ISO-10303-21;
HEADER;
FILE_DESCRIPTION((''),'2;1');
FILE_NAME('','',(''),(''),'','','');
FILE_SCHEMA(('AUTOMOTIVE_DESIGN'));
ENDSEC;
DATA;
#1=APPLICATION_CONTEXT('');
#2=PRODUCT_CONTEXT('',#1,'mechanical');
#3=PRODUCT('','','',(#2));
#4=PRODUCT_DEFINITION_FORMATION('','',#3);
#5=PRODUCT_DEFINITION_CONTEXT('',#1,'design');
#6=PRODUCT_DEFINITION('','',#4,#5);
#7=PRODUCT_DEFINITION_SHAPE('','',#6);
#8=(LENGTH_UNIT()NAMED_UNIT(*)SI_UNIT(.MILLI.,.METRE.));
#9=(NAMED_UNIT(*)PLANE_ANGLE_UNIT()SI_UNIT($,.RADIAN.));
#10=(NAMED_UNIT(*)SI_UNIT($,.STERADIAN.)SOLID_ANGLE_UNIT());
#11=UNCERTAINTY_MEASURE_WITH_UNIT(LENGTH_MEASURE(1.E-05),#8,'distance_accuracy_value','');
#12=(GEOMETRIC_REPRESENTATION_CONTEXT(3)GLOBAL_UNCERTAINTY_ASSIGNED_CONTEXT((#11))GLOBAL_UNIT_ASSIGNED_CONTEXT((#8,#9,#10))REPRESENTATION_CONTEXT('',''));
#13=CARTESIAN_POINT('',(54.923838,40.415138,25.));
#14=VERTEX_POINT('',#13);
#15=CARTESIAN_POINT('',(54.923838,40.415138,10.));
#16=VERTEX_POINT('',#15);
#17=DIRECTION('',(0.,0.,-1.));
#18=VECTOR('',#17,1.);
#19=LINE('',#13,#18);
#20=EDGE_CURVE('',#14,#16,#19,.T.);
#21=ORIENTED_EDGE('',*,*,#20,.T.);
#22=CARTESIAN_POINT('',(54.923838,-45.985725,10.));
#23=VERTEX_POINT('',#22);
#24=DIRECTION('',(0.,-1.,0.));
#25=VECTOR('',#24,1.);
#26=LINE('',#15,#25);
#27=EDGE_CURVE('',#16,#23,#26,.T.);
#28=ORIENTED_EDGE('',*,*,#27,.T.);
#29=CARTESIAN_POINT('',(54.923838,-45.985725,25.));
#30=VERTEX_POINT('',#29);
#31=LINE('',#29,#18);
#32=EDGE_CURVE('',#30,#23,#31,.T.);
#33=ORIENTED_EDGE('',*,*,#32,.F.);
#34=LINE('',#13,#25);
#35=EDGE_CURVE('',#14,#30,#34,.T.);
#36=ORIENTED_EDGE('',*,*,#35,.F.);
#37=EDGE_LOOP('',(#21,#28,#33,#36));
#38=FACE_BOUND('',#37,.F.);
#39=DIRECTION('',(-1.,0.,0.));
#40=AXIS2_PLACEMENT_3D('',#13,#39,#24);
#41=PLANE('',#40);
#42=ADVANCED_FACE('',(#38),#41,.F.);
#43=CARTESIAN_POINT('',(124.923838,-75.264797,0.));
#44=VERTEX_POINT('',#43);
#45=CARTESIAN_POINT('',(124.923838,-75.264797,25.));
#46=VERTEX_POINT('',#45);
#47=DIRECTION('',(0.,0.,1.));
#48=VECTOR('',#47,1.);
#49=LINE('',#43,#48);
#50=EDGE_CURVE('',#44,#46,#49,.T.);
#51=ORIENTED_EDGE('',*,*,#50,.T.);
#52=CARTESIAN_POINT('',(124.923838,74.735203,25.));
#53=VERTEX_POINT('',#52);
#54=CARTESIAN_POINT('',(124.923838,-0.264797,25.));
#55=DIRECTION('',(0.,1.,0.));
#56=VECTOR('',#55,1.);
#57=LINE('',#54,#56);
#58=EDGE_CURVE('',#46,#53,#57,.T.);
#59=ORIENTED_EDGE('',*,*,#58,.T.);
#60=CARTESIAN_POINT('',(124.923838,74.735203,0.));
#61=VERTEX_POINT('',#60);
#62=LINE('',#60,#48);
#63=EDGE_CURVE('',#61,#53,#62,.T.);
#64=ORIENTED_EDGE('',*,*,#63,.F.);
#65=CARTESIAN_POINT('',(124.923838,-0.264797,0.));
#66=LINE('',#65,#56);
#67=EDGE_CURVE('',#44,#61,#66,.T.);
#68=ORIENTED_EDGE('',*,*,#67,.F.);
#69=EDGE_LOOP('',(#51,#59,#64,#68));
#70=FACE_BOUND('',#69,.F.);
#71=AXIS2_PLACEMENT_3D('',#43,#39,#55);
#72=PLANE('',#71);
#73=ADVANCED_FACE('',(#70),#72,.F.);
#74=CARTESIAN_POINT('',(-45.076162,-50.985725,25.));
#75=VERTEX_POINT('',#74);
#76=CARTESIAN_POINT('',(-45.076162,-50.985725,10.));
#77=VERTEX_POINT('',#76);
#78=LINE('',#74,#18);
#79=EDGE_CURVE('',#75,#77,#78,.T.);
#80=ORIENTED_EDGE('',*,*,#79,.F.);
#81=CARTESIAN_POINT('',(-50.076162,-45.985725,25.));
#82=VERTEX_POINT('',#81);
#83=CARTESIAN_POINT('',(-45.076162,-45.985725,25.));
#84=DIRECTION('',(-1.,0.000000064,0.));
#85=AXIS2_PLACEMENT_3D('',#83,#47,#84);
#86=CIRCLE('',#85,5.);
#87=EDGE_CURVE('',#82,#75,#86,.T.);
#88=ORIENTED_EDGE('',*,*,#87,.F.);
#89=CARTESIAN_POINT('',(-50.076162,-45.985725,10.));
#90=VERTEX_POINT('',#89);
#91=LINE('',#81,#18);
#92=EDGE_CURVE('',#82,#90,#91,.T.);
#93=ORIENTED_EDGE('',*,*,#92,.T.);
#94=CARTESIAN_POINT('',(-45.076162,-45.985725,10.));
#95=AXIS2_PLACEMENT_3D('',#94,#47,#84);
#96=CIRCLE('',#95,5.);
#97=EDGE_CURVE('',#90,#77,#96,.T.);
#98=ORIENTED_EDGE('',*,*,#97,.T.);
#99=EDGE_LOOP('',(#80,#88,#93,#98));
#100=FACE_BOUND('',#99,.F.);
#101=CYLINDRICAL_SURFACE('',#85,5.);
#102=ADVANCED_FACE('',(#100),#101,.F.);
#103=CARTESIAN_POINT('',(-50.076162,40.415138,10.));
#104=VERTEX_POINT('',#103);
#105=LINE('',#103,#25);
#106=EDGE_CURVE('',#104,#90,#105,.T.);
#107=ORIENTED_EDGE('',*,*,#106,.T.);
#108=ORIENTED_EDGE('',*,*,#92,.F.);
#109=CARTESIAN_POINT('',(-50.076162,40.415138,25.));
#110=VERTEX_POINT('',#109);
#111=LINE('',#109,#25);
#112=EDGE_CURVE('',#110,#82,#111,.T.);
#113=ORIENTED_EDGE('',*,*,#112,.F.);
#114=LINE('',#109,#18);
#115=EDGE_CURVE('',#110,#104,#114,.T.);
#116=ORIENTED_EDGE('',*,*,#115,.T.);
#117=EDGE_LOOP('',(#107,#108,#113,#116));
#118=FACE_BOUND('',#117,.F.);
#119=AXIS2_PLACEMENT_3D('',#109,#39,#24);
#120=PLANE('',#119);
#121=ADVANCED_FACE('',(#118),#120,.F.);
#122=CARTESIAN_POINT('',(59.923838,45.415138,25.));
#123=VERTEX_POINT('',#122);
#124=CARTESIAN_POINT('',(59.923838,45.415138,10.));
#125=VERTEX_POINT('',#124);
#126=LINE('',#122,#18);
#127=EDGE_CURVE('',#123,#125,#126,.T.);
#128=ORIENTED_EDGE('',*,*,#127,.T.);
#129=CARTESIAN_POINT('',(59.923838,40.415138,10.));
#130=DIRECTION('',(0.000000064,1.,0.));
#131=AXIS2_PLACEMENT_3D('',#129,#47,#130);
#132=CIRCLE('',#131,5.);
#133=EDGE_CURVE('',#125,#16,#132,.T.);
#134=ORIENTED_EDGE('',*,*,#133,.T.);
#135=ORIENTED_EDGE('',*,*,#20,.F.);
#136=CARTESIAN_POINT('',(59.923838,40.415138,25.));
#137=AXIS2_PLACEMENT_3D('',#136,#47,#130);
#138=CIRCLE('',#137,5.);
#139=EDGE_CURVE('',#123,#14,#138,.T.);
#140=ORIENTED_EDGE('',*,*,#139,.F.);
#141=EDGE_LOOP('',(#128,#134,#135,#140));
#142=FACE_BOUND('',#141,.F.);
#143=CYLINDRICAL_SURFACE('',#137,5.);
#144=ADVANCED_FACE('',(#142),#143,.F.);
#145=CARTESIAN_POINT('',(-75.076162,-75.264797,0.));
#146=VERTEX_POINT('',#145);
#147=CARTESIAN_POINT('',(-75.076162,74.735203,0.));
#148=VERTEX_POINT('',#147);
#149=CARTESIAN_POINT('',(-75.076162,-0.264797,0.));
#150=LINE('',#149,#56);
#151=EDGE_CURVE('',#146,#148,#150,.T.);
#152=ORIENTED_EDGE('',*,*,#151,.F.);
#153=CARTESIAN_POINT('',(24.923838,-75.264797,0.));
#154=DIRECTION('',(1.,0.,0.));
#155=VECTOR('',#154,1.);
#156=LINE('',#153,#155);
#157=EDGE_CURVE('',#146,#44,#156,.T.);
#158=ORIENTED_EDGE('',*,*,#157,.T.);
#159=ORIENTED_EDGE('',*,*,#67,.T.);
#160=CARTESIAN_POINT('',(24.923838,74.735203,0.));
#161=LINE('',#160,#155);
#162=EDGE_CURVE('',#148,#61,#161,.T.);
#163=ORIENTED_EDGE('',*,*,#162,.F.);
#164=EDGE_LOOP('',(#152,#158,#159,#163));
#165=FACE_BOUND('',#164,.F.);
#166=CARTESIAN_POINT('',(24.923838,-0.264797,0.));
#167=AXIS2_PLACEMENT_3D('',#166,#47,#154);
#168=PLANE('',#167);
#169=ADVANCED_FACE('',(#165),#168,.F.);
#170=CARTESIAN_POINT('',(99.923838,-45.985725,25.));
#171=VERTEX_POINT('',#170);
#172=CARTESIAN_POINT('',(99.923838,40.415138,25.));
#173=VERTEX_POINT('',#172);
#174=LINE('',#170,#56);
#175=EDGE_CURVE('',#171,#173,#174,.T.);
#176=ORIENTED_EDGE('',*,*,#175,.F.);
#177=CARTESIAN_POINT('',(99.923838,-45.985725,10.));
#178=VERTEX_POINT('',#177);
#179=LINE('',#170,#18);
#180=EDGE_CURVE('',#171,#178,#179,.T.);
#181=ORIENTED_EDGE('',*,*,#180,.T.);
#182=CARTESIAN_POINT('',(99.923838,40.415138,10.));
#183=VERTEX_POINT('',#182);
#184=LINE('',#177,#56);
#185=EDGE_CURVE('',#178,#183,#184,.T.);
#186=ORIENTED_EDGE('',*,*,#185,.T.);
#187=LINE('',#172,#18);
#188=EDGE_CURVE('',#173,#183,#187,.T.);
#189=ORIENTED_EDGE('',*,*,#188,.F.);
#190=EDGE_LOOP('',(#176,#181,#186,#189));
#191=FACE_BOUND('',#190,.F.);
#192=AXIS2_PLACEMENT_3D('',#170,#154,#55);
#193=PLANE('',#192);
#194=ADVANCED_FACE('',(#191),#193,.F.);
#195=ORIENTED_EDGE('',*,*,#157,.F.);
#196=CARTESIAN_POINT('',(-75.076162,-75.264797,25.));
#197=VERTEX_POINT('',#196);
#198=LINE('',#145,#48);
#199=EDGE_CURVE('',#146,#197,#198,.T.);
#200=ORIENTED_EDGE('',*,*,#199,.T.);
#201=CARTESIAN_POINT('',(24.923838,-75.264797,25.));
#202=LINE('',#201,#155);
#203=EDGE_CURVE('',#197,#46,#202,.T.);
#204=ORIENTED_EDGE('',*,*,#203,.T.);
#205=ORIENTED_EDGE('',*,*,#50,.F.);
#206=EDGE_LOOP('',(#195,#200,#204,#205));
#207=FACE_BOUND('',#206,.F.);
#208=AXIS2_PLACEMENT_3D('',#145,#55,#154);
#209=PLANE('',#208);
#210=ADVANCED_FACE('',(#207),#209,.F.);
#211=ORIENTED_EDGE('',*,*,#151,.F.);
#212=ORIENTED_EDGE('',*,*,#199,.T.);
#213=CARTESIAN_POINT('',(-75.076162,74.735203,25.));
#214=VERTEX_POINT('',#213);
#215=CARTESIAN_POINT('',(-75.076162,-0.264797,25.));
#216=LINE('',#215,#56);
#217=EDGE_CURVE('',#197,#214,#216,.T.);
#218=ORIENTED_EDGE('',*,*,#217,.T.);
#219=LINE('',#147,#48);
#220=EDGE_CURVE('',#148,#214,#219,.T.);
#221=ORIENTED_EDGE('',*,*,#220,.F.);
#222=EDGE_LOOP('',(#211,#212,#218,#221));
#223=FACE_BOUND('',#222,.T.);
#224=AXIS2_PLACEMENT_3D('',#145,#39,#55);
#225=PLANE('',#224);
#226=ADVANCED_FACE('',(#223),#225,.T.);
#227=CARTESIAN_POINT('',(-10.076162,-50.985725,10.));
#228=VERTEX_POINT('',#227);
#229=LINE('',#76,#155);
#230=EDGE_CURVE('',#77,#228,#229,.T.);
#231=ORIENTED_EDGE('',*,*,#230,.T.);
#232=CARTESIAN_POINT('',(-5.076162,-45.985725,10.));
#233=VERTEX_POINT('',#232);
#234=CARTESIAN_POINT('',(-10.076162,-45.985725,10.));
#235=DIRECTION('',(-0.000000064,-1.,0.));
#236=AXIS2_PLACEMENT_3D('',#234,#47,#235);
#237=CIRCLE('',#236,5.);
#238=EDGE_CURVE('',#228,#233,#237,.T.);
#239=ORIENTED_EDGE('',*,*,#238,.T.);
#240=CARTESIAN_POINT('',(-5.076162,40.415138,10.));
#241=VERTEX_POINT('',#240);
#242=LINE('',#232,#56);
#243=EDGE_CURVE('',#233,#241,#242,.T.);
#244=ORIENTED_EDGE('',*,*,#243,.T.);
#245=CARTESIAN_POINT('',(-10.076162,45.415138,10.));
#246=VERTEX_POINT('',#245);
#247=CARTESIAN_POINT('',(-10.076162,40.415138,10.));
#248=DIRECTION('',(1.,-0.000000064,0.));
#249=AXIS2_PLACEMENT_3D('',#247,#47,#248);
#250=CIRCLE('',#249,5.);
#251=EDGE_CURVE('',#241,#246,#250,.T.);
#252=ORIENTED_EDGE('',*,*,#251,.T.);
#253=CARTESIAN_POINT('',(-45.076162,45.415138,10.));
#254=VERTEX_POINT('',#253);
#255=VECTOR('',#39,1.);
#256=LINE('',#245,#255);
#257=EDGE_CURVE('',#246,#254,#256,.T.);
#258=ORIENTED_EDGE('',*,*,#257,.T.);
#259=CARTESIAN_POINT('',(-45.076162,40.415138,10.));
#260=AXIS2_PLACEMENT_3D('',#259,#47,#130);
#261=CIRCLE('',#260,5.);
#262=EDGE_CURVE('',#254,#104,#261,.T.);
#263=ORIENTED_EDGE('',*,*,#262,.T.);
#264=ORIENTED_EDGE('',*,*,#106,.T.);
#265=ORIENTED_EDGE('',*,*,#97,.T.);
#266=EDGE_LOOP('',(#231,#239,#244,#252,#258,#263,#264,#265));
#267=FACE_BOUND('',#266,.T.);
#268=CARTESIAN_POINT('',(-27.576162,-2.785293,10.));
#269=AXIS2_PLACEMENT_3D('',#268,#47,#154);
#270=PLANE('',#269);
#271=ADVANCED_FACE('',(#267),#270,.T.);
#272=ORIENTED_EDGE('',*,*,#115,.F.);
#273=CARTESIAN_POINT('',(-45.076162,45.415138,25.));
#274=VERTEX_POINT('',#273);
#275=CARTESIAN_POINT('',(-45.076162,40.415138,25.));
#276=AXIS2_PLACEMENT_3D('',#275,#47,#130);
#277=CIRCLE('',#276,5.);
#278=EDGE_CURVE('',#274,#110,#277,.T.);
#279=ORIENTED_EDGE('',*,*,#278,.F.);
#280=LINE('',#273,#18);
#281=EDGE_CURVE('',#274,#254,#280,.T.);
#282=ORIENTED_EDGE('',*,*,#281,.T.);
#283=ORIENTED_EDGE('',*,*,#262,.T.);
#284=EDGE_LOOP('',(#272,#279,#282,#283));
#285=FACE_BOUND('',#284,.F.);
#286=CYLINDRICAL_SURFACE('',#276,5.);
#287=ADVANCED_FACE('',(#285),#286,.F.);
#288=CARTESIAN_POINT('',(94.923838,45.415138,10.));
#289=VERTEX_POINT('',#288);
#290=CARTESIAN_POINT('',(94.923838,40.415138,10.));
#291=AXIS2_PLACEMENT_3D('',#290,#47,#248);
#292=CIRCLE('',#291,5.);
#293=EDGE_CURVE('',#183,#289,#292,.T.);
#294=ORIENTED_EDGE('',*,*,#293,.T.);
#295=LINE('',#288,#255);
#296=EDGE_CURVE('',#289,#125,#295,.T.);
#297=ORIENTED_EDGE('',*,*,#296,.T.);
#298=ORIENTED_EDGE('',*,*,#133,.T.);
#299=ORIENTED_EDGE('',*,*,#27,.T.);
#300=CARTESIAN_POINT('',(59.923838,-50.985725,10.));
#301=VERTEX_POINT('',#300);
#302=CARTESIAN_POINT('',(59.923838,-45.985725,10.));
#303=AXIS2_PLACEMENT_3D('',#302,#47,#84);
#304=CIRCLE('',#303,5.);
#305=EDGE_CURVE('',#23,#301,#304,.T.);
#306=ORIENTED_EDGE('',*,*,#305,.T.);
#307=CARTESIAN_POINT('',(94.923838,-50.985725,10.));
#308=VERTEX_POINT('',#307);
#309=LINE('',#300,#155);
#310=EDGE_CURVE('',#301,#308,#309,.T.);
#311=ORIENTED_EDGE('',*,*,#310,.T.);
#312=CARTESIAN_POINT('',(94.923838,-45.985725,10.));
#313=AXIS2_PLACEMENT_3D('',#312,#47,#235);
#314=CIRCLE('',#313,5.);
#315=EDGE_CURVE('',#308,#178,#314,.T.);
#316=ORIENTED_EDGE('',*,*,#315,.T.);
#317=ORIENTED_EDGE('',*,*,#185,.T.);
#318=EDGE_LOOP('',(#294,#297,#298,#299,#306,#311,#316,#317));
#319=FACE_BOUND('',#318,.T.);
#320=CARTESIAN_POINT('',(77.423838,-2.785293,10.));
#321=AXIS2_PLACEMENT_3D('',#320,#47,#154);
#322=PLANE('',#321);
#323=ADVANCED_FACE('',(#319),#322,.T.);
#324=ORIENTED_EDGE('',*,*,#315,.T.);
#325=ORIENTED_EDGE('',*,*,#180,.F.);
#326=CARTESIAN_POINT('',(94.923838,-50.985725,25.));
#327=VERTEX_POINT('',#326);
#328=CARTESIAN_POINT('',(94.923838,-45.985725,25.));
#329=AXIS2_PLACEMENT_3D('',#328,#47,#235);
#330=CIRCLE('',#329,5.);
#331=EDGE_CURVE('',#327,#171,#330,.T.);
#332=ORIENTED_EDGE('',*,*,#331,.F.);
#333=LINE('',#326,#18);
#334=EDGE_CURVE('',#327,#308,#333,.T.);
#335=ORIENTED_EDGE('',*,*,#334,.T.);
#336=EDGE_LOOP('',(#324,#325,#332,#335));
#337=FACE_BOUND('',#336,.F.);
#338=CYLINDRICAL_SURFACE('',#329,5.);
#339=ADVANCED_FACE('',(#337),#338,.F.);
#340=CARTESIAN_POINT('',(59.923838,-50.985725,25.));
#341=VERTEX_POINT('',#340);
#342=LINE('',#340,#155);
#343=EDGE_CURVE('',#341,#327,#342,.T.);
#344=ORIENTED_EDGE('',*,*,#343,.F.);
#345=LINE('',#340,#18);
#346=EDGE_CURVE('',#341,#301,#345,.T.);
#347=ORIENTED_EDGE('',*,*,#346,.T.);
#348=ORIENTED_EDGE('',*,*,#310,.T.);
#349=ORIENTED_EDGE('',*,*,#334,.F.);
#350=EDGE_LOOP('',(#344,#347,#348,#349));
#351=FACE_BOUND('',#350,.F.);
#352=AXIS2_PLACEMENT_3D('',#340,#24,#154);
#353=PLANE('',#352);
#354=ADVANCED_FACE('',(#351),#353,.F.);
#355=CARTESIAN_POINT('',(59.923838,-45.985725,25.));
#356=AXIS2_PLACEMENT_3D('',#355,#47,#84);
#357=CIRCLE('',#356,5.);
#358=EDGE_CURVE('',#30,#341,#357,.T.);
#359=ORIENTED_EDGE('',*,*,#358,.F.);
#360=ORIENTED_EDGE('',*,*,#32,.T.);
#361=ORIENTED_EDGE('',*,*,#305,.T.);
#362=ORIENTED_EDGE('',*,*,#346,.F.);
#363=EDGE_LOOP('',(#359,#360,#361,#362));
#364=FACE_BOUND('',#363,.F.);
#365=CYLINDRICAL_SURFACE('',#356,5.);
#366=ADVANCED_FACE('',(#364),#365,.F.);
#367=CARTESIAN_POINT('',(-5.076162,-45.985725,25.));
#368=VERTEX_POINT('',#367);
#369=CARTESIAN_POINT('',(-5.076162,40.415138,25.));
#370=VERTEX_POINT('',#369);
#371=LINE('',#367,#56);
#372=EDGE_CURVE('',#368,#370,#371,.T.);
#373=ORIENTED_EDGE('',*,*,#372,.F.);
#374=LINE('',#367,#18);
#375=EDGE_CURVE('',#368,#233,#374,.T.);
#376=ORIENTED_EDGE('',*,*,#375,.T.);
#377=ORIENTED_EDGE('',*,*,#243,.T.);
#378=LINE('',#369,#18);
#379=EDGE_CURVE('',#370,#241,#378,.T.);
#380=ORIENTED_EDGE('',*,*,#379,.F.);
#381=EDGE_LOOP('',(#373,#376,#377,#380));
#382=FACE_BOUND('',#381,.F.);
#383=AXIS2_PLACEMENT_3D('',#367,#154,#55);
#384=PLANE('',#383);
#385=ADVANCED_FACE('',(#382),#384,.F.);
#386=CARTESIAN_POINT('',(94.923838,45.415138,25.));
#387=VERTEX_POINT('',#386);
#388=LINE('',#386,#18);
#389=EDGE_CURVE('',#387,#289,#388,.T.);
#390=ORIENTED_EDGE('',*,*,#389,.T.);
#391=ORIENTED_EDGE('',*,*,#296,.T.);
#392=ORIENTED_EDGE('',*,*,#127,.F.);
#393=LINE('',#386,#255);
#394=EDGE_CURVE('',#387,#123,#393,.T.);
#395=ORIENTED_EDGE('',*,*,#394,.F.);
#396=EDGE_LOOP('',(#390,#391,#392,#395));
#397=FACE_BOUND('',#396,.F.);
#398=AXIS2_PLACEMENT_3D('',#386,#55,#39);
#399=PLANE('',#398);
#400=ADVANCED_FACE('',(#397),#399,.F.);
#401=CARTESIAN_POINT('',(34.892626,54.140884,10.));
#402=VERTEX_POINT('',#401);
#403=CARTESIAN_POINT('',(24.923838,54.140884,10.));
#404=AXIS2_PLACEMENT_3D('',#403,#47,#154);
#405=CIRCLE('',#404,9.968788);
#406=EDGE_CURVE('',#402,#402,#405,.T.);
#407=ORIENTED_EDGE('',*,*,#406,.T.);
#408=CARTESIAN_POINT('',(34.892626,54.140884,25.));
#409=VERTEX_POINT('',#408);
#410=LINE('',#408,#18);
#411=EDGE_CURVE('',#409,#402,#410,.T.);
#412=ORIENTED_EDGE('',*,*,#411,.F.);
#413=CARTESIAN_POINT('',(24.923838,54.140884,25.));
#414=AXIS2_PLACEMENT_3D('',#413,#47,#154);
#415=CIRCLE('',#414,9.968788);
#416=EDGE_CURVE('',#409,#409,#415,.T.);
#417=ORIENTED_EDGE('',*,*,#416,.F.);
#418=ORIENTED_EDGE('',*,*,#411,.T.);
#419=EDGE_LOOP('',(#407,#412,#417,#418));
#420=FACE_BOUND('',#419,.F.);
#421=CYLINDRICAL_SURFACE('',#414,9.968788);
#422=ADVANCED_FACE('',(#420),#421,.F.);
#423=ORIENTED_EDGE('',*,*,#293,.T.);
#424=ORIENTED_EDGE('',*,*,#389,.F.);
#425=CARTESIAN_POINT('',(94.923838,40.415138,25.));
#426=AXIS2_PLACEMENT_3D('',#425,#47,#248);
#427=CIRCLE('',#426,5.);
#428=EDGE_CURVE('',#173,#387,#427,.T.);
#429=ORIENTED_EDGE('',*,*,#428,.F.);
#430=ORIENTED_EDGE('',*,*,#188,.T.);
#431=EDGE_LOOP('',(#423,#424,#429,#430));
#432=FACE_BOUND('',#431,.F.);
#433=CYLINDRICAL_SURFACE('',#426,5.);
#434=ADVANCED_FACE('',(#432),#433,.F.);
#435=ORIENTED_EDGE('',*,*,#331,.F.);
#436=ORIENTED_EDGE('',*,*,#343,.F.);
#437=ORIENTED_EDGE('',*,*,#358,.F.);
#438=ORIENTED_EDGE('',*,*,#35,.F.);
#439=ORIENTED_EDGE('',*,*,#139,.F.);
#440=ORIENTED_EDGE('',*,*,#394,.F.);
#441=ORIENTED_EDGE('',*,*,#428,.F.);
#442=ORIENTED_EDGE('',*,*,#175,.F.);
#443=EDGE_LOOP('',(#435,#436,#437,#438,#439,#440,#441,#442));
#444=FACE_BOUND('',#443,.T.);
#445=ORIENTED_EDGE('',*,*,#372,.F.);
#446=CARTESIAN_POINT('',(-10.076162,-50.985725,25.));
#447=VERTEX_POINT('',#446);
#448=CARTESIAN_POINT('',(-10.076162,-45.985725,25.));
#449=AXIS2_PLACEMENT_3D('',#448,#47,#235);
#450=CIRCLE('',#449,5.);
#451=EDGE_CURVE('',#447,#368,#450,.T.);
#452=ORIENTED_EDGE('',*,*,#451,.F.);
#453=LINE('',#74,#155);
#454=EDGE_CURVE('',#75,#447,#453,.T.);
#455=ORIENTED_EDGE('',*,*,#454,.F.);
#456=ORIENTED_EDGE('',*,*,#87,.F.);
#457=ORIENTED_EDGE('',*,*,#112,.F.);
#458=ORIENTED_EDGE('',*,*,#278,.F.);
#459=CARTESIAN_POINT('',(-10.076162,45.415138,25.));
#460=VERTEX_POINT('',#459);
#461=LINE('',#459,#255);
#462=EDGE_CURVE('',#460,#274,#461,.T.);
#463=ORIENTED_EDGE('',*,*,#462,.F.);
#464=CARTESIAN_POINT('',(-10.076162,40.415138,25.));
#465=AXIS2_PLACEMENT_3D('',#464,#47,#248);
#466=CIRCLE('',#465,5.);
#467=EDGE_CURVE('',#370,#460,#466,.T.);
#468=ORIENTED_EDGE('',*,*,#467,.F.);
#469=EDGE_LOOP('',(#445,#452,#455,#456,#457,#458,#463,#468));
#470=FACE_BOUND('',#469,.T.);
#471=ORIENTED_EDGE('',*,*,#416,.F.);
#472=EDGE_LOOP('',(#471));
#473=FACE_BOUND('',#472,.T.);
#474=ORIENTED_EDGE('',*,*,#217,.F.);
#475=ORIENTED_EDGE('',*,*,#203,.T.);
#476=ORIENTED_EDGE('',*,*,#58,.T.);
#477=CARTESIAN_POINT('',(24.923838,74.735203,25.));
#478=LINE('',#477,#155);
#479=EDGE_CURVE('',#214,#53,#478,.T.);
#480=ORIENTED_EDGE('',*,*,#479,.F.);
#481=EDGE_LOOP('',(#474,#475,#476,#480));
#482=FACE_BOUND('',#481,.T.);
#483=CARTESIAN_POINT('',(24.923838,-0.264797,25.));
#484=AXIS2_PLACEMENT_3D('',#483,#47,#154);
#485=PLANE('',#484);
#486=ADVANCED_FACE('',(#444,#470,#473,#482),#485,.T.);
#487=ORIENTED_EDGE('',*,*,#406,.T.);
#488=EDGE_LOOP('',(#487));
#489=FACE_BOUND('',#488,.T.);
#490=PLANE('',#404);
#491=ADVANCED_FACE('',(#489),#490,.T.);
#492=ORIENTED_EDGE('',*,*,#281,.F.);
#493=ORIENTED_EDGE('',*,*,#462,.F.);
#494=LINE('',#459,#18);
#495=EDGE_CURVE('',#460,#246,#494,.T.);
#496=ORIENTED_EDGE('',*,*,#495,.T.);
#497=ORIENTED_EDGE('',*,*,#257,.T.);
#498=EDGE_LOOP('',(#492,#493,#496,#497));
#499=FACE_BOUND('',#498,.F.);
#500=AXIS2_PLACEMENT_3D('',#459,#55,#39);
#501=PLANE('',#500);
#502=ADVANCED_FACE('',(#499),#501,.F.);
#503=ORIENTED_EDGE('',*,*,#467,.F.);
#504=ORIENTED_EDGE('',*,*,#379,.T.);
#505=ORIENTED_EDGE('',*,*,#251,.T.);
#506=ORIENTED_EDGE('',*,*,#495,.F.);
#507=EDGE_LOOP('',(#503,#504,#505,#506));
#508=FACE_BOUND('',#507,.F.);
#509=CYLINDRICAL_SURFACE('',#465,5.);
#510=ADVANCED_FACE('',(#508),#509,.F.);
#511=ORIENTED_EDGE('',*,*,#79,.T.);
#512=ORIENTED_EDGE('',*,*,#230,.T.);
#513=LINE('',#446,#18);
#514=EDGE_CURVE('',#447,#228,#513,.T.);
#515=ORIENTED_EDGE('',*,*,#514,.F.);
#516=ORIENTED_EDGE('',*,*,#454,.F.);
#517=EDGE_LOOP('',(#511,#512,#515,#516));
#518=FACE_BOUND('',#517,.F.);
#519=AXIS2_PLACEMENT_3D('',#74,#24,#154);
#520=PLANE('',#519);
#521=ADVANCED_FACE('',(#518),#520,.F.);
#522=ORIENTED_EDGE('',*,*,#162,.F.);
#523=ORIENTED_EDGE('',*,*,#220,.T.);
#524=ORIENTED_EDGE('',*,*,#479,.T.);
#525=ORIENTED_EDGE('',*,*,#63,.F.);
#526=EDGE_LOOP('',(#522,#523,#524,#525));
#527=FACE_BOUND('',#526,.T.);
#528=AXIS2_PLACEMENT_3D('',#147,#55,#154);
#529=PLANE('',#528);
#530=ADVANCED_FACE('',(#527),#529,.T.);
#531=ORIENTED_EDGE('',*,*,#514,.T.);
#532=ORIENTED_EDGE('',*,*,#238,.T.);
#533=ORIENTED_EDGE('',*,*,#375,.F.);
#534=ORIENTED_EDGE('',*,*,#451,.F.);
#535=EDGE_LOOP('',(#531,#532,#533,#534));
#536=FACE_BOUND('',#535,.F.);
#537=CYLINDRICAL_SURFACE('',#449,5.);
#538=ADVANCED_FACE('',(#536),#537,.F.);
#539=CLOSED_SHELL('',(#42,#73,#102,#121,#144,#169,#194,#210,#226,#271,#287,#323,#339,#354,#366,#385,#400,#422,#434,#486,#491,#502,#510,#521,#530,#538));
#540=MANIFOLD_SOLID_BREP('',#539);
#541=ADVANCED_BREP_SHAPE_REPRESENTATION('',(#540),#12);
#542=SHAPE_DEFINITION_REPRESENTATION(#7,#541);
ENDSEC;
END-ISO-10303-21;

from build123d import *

# Parameters (mm, degrees)
F0_W     = 200
F0_H     = 150
F1_DEPTH = 25
F2_R     = 9.968788
F3_DEPTH = 15
F5_DEPTH = 15


with BuildPart() as f1:
    # F0 (on Top) → F1 (new body)
    with BuildSketch(Plane.XY):
        with Locations((24.923838, -0.264797)):
            Rectangle(F0_W, F0_H)
    extrude(amount=F1_DEPTH)

    # F2 (on face) → F3 (cut)
    with BuildSketch(Plane.XY.offset(25)):
        with Locations((24.923838, 54.140884)):
            Circle(F2_R)
    extrude(amount=-F3_DEPTH, mode=Mode.SUBTRACT)

    # F4 (on face) → F5 (cut)
    with BuildSketch(Plane.XY.offset(25)):
        with BuildLine():
            Line((-10.076162, 45.415138), (-45.076162, 45.415138))
            ThreePointArc((-45.076162, 45.415138), (-48.611696, 43.950672), (-50.076162, 40.415138))
            Line((-50.076162, 40.415138), (-50.076162, -45.985725))
            ThreePointArc((-50.076162, -45.985725), (-48.611696, -49.521259), (-45.076162, -50.985725))
            Line((-45.076162, -50.985725), (-10.076162, -50.985725))
            ThreePointArc((-10.076162, -50.985725), (-6.540628, -49.521259), (-5.076162, -45.985725))
            Line((-5.076162, -45.985725), (-5.076162, 40.415138))
            ThreePointArc((-5.076162, 40.415138), (-6.540628, 43.950672), (-10.076162, 45.415138))
        make_face()
        with BuildLine():
            Line((94.923838, 45.415138), (59.923838, 45.415138))
            ThreePointArc((59.923838, 45.415138), (56.388304, 43.950672), (54.923838, 40.415138))
            Line((54.923838, 40.415138), (54.923838, -45.985725))
            ThreePointArc((54.923838, -45.985725), (56.388304, -49.521259), (59.923838, -50.985725))
            Line((59.923838, -50.985725), (94.923838, -50.985725))
            ThreePointArc((94.923838, -50.985725), (98.459372, -49.521259), (99.923838, -45.985725))
            Line((99.923838, -45.985725), (99.923838, 40.415138))
            ThreePointArc((99.923838, 40.415138), (98.459372, 43.950672), (94.923838, 45.415138))
        make_face()
    extrude(amount=-F5_DEPTH, mode=Mode.SUBTRACT)


solid = f1.part
